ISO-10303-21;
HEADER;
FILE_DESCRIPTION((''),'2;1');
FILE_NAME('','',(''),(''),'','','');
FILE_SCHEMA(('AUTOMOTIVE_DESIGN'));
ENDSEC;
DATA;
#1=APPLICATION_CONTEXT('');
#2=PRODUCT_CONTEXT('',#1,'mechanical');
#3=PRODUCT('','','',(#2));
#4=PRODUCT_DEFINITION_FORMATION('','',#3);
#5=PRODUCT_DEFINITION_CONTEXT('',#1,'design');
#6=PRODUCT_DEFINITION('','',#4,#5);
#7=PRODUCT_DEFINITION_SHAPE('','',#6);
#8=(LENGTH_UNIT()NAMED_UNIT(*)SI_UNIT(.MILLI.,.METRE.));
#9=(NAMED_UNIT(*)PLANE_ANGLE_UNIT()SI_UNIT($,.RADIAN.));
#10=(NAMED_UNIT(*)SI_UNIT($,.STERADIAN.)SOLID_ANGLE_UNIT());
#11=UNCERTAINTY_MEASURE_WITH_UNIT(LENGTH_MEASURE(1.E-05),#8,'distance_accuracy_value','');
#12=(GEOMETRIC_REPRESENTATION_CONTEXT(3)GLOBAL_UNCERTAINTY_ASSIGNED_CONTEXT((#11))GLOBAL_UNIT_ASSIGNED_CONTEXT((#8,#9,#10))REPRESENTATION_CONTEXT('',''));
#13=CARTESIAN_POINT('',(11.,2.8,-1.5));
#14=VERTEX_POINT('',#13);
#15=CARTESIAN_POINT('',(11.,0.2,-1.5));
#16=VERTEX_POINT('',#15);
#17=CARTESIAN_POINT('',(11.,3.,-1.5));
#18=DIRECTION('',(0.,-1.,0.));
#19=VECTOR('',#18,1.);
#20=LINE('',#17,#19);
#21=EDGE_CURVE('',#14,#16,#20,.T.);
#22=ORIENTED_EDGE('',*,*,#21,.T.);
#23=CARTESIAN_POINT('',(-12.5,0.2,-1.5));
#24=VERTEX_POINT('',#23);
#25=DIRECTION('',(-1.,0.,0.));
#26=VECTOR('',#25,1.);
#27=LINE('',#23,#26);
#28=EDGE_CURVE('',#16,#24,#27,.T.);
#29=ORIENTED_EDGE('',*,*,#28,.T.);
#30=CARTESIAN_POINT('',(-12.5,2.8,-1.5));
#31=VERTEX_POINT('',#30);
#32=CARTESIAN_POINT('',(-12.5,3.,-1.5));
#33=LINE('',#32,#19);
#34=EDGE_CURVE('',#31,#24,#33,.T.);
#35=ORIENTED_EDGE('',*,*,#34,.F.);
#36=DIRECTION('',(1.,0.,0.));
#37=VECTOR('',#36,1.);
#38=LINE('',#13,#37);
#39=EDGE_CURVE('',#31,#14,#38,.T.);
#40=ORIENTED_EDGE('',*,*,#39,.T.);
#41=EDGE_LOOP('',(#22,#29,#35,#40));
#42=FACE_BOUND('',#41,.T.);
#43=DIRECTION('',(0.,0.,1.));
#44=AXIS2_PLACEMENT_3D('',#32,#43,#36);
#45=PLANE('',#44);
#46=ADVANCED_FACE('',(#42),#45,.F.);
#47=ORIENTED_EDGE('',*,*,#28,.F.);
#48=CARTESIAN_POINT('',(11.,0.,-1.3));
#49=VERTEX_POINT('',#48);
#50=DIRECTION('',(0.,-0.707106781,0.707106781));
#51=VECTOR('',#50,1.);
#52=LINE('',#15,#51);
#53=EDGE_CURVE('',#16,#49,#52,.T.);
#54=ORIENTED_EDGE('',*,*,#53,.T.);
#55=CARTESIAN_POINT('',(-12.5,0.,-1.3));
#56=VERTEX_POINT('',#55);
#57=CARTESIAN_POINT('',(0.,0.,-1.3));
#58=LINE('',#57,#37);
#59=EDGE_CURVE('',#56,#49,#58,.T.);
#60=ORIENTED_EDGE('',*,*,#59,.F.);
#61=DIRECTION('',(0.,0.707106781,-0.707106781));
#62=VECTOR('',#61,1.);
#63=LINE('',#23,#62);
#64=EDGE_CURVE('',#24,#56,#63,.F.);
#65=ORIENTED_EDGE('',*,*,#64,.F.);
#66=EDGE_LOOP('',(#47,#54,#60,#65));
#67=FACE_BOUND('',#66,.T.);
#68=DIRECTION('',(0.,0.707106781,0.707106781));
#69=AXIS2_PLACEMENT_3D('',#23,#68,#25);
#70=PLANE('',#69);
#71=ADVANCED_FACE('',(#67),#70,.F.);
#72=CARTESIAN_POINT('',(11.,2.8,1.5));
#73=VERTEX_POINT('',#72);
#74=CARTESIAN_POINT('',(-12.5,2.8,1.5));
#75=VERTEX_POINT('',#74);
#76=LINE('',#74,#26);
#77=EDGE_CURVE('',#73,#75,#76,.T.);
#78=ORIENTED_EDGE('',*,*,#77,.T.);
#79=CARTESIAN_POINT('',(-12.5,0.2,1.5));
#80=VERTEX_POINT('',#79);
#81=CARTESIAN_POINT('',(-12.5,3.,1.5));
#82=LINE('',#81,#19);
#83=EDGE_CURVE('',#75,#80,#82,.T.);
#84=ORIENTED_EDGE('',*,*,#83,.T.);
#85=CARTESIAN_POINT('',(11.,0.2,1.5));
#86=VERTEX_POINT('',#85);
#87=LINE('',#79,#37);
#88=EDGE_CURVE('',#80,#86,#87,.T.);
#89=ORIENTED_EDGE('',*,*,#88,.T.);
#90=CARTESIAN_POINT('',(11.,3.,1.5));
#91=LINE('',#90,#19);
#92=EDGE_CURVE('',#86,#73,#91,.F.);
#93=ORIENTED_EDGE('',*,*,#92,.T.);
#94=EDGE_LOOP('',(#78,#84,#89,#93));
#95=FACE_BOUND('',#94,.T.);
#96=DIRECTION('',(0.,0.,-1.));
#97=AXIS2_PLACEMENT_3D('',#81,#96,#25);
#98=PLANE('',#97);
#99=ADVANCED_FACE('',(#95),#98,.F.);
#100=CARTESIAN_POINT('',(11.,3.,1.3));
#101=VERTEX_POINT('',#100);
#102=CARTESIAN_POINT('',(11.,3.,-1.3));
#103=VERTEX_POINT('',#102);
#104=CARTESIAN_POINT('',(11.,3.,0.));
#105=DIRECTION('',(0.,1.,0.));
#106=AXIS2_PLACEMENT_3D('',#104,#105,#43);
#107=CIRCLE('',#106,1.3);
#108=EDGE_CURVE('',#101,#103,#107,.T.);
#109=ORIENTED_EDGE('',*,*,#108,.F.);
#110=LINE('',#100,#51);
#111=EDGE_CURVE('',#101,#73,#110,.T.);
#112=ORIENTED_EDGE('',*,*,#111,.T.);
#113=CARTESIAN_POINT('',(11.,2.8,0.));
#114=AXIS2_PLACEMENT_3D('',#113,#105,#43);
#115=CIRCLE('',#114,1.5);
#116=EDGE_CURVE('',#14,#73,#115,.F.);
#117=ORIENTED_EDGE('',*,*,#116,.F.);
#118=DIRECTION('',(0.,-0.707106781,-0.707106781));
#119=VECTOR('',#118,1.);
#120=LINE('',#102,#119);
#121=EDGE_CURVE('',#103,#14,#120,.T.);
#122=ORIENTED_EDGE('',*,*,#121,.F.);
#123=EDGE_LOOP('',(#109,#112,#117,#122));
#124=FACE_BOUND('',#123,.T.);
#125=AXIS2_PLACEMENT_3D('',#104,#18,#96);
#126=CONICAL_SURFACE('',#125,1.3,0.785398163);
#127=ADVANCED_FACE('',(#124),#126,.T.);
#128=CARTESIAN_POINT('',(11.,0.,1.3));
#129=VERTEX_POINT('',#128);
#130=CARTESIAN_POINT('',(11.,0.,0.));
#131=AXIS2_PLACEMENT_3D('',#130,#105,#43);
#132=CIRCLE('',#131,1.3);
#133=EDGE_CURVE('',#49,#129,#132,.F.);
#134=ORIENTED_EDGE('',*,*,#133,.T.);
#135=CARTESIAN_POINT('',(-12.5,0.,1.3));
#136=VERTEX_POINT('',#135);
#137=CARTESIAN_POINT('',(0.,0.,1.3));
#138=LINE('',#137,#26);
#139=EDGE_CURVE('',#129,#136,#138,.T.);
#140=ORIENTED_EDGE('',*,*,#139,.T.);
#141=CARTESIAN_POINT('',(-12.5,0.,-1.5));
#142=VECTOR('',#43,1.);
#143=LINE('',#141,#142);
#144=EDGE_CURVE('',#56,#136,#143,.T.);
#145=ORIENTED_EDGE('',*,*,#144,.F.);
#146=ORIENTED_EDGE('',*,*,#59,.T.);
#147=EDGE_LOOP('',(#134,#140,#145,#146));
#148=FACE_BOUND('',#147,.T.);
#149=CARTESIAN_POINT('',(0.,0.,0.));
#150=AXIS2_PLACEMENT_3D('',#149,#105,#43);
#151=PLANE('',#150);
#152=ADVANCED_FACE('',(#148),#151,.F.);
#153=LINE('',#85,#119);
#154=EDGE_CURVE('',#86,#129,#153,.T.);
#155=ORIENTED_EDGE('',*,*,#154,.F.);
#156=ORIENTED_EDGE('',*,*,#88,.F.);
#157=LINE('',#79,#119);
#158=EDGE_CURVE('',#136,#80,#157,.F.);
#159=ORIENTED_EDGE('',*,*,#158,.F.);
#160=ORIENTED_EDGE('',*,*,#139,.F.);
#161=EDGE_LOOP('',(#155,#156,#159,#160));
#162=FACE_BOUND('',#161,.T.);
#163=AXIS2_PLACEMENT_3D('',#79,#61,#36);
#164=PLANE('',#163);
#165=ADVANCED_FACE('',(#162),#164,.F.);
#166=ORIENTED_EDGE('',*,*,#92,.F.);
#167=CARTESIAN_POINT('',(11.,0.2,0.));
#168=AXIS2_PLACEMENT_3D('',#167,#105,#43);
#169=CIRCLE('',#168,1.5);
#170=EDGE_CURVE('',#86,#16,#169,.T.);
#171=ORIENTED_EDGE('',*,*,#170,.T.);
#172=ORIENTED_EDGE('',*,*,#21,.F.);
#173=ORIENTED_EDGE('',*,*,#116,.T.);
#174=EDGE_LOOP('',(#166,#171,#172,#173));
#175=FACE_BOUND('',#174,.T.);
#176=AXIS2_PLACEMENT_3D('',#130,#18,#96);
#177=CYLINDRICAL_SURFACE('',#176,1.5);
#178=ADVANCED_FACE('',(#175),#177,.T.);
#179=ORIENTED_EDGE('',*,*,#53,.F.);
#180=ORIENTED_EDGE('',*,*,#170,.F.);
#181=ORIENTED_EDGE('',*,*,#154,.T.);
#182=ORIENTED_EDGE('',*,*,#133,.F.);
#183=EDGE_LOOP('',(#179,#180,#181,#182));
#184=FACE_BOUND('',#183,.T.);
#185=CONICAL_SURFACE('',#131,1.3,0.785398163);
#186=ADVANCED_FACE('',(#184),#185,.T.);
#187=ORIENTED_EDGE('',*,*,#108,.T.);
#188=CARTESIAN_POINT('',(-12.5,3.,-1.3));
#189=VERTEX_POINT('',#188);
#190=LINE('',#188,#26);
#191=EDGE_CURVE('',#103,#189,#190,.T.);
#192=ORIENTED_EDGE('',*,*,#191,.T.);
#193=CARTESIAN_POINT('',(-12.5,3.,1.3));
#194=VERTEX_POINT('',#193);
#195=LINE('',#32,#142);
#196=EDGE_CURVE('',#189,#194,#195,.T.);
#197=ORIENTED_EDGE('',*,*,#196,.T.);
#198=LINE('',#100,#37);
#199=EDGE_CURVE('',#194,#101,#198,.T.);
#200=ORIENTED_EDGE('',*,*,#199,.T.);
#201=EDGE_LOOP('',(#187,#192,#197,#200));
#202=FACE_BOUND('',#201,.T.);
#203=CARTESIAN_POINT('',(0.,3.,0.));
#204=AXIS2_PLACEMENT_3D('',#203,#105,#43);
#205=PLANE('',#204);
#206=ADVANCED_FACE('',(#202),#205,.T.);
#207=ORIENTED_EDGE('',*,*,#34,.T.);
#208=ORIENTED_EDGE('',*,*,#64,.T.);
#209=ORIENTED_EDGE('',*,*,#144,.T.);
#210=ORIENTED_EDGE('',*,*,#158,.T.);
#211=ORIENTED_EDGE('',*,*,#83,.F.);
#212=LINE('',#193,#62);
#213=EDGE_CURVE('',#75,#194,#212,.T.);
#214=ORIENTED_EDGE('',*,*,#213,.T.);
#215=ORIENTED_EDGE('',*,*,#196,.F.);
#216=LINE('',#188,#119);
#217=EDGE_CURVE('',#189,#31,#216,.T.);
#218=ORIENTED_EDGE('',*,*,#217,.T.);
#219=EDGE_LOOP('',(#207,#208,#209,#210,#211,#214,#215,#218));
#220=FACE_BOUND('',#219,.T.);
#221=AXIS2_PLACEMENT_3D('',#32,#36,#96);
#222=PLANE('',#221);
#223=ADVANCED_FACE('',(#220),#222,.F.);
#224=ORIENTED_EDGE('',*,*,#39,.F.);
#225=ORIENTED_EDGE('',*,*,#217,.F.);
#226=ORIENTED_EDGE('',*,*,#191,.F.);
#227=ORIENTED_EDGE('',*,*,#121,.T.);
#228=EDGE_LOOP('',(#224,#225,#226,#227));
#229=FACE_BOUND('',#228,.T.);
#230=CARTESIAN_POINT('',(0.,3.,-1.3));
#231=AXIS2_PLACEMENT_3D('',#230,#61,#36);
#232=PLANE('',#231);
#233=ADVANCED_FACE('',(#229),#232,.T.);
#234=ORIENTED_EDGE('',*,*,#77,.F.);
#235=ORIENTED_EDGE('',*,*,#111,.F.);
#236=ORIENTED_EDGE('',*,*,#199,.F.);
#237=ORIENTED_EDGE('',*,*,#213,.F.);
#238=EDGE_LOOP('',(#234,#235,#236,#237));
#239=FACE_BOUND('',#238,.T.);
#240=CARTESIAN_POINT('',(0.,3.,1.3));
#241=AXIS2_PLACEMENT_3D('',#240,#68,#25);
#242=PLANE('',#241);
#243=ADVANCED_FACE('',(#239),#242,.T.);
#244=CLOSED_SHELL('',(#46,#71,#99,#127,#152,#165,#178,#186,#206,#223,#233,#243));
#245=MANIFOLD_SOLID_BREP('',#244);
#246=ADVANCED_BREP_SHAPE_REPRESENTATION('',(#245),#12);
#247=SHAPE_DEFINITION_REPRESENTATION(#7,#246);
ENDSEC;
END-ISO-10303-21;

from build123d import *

# Parameters (mm, degrees)
SKETCH1_W           = 25
SKETCH1_H           = 3
BOSS_EXTRUDE1_DEPTH = 3
FILLET2_RADIUS      = 1.5
FILLET2_LENGTH      = 3
CHAMFER2_SIZE       = 0.2


with BuildPart() as part:
    # Sketch1 → Boss-Extrude1 (new body)
    with BuildSketch(Plane(origin=(0, 0, 0), x_dir=(1, 0, 0), z_dir=(0, 1, 0))):
        Rectangle(SKETCH1_W, SKETCH1_H)
    extrude(amount=BOSS_EXTRUDE1_DEPTH)

    # Fillet2: full round fillet: the end face becomes a half cylinder, R = half its width
    fillet2_face = Plane((12.5, 1.5, 0), x_dir=(0, 1, 0), z_dir=(1, 0, 0))  # on the end face: x along it, z out of the body
    fillet2_slab = fillet2_face.offset(-FILLET2_RADIUS / 2) * Box(FILLET2_LENGTH, 2 * FILLET2_RADIUS, FILLET2_RADIUS, mode=Mode.PRIVATE)  # the body's end, R deep
    fillet2_round = Plane((11, 1.5, 0), x_dir=(1, 0, 0), z_dir=(0, 1, 0)) * Cylinder(FILLET2_RADIUS, FILLET2_LENGTH, mode=Mode.PRIVATE)  # its axis R under the face
    add(fillet2_slab - fillet2_round, mode=Mode.SUBTRACT)

    # Chamfer2
    chamfer2_edges = [part.edges().sort_by_distance(p)[0] for p in [
        (-0.75, 0, -1.5),
        (-0.75, 3, -1.5),
        (12.5, 0, 0),
        (12.5, 3, 0),
        (-0.75, 0, 1.5),
        (-0.75, 3, 1.5),
    ]]
    chamfer(chamfer2_edges, length=CHAMFER2_SIZE)


solid = part.part
